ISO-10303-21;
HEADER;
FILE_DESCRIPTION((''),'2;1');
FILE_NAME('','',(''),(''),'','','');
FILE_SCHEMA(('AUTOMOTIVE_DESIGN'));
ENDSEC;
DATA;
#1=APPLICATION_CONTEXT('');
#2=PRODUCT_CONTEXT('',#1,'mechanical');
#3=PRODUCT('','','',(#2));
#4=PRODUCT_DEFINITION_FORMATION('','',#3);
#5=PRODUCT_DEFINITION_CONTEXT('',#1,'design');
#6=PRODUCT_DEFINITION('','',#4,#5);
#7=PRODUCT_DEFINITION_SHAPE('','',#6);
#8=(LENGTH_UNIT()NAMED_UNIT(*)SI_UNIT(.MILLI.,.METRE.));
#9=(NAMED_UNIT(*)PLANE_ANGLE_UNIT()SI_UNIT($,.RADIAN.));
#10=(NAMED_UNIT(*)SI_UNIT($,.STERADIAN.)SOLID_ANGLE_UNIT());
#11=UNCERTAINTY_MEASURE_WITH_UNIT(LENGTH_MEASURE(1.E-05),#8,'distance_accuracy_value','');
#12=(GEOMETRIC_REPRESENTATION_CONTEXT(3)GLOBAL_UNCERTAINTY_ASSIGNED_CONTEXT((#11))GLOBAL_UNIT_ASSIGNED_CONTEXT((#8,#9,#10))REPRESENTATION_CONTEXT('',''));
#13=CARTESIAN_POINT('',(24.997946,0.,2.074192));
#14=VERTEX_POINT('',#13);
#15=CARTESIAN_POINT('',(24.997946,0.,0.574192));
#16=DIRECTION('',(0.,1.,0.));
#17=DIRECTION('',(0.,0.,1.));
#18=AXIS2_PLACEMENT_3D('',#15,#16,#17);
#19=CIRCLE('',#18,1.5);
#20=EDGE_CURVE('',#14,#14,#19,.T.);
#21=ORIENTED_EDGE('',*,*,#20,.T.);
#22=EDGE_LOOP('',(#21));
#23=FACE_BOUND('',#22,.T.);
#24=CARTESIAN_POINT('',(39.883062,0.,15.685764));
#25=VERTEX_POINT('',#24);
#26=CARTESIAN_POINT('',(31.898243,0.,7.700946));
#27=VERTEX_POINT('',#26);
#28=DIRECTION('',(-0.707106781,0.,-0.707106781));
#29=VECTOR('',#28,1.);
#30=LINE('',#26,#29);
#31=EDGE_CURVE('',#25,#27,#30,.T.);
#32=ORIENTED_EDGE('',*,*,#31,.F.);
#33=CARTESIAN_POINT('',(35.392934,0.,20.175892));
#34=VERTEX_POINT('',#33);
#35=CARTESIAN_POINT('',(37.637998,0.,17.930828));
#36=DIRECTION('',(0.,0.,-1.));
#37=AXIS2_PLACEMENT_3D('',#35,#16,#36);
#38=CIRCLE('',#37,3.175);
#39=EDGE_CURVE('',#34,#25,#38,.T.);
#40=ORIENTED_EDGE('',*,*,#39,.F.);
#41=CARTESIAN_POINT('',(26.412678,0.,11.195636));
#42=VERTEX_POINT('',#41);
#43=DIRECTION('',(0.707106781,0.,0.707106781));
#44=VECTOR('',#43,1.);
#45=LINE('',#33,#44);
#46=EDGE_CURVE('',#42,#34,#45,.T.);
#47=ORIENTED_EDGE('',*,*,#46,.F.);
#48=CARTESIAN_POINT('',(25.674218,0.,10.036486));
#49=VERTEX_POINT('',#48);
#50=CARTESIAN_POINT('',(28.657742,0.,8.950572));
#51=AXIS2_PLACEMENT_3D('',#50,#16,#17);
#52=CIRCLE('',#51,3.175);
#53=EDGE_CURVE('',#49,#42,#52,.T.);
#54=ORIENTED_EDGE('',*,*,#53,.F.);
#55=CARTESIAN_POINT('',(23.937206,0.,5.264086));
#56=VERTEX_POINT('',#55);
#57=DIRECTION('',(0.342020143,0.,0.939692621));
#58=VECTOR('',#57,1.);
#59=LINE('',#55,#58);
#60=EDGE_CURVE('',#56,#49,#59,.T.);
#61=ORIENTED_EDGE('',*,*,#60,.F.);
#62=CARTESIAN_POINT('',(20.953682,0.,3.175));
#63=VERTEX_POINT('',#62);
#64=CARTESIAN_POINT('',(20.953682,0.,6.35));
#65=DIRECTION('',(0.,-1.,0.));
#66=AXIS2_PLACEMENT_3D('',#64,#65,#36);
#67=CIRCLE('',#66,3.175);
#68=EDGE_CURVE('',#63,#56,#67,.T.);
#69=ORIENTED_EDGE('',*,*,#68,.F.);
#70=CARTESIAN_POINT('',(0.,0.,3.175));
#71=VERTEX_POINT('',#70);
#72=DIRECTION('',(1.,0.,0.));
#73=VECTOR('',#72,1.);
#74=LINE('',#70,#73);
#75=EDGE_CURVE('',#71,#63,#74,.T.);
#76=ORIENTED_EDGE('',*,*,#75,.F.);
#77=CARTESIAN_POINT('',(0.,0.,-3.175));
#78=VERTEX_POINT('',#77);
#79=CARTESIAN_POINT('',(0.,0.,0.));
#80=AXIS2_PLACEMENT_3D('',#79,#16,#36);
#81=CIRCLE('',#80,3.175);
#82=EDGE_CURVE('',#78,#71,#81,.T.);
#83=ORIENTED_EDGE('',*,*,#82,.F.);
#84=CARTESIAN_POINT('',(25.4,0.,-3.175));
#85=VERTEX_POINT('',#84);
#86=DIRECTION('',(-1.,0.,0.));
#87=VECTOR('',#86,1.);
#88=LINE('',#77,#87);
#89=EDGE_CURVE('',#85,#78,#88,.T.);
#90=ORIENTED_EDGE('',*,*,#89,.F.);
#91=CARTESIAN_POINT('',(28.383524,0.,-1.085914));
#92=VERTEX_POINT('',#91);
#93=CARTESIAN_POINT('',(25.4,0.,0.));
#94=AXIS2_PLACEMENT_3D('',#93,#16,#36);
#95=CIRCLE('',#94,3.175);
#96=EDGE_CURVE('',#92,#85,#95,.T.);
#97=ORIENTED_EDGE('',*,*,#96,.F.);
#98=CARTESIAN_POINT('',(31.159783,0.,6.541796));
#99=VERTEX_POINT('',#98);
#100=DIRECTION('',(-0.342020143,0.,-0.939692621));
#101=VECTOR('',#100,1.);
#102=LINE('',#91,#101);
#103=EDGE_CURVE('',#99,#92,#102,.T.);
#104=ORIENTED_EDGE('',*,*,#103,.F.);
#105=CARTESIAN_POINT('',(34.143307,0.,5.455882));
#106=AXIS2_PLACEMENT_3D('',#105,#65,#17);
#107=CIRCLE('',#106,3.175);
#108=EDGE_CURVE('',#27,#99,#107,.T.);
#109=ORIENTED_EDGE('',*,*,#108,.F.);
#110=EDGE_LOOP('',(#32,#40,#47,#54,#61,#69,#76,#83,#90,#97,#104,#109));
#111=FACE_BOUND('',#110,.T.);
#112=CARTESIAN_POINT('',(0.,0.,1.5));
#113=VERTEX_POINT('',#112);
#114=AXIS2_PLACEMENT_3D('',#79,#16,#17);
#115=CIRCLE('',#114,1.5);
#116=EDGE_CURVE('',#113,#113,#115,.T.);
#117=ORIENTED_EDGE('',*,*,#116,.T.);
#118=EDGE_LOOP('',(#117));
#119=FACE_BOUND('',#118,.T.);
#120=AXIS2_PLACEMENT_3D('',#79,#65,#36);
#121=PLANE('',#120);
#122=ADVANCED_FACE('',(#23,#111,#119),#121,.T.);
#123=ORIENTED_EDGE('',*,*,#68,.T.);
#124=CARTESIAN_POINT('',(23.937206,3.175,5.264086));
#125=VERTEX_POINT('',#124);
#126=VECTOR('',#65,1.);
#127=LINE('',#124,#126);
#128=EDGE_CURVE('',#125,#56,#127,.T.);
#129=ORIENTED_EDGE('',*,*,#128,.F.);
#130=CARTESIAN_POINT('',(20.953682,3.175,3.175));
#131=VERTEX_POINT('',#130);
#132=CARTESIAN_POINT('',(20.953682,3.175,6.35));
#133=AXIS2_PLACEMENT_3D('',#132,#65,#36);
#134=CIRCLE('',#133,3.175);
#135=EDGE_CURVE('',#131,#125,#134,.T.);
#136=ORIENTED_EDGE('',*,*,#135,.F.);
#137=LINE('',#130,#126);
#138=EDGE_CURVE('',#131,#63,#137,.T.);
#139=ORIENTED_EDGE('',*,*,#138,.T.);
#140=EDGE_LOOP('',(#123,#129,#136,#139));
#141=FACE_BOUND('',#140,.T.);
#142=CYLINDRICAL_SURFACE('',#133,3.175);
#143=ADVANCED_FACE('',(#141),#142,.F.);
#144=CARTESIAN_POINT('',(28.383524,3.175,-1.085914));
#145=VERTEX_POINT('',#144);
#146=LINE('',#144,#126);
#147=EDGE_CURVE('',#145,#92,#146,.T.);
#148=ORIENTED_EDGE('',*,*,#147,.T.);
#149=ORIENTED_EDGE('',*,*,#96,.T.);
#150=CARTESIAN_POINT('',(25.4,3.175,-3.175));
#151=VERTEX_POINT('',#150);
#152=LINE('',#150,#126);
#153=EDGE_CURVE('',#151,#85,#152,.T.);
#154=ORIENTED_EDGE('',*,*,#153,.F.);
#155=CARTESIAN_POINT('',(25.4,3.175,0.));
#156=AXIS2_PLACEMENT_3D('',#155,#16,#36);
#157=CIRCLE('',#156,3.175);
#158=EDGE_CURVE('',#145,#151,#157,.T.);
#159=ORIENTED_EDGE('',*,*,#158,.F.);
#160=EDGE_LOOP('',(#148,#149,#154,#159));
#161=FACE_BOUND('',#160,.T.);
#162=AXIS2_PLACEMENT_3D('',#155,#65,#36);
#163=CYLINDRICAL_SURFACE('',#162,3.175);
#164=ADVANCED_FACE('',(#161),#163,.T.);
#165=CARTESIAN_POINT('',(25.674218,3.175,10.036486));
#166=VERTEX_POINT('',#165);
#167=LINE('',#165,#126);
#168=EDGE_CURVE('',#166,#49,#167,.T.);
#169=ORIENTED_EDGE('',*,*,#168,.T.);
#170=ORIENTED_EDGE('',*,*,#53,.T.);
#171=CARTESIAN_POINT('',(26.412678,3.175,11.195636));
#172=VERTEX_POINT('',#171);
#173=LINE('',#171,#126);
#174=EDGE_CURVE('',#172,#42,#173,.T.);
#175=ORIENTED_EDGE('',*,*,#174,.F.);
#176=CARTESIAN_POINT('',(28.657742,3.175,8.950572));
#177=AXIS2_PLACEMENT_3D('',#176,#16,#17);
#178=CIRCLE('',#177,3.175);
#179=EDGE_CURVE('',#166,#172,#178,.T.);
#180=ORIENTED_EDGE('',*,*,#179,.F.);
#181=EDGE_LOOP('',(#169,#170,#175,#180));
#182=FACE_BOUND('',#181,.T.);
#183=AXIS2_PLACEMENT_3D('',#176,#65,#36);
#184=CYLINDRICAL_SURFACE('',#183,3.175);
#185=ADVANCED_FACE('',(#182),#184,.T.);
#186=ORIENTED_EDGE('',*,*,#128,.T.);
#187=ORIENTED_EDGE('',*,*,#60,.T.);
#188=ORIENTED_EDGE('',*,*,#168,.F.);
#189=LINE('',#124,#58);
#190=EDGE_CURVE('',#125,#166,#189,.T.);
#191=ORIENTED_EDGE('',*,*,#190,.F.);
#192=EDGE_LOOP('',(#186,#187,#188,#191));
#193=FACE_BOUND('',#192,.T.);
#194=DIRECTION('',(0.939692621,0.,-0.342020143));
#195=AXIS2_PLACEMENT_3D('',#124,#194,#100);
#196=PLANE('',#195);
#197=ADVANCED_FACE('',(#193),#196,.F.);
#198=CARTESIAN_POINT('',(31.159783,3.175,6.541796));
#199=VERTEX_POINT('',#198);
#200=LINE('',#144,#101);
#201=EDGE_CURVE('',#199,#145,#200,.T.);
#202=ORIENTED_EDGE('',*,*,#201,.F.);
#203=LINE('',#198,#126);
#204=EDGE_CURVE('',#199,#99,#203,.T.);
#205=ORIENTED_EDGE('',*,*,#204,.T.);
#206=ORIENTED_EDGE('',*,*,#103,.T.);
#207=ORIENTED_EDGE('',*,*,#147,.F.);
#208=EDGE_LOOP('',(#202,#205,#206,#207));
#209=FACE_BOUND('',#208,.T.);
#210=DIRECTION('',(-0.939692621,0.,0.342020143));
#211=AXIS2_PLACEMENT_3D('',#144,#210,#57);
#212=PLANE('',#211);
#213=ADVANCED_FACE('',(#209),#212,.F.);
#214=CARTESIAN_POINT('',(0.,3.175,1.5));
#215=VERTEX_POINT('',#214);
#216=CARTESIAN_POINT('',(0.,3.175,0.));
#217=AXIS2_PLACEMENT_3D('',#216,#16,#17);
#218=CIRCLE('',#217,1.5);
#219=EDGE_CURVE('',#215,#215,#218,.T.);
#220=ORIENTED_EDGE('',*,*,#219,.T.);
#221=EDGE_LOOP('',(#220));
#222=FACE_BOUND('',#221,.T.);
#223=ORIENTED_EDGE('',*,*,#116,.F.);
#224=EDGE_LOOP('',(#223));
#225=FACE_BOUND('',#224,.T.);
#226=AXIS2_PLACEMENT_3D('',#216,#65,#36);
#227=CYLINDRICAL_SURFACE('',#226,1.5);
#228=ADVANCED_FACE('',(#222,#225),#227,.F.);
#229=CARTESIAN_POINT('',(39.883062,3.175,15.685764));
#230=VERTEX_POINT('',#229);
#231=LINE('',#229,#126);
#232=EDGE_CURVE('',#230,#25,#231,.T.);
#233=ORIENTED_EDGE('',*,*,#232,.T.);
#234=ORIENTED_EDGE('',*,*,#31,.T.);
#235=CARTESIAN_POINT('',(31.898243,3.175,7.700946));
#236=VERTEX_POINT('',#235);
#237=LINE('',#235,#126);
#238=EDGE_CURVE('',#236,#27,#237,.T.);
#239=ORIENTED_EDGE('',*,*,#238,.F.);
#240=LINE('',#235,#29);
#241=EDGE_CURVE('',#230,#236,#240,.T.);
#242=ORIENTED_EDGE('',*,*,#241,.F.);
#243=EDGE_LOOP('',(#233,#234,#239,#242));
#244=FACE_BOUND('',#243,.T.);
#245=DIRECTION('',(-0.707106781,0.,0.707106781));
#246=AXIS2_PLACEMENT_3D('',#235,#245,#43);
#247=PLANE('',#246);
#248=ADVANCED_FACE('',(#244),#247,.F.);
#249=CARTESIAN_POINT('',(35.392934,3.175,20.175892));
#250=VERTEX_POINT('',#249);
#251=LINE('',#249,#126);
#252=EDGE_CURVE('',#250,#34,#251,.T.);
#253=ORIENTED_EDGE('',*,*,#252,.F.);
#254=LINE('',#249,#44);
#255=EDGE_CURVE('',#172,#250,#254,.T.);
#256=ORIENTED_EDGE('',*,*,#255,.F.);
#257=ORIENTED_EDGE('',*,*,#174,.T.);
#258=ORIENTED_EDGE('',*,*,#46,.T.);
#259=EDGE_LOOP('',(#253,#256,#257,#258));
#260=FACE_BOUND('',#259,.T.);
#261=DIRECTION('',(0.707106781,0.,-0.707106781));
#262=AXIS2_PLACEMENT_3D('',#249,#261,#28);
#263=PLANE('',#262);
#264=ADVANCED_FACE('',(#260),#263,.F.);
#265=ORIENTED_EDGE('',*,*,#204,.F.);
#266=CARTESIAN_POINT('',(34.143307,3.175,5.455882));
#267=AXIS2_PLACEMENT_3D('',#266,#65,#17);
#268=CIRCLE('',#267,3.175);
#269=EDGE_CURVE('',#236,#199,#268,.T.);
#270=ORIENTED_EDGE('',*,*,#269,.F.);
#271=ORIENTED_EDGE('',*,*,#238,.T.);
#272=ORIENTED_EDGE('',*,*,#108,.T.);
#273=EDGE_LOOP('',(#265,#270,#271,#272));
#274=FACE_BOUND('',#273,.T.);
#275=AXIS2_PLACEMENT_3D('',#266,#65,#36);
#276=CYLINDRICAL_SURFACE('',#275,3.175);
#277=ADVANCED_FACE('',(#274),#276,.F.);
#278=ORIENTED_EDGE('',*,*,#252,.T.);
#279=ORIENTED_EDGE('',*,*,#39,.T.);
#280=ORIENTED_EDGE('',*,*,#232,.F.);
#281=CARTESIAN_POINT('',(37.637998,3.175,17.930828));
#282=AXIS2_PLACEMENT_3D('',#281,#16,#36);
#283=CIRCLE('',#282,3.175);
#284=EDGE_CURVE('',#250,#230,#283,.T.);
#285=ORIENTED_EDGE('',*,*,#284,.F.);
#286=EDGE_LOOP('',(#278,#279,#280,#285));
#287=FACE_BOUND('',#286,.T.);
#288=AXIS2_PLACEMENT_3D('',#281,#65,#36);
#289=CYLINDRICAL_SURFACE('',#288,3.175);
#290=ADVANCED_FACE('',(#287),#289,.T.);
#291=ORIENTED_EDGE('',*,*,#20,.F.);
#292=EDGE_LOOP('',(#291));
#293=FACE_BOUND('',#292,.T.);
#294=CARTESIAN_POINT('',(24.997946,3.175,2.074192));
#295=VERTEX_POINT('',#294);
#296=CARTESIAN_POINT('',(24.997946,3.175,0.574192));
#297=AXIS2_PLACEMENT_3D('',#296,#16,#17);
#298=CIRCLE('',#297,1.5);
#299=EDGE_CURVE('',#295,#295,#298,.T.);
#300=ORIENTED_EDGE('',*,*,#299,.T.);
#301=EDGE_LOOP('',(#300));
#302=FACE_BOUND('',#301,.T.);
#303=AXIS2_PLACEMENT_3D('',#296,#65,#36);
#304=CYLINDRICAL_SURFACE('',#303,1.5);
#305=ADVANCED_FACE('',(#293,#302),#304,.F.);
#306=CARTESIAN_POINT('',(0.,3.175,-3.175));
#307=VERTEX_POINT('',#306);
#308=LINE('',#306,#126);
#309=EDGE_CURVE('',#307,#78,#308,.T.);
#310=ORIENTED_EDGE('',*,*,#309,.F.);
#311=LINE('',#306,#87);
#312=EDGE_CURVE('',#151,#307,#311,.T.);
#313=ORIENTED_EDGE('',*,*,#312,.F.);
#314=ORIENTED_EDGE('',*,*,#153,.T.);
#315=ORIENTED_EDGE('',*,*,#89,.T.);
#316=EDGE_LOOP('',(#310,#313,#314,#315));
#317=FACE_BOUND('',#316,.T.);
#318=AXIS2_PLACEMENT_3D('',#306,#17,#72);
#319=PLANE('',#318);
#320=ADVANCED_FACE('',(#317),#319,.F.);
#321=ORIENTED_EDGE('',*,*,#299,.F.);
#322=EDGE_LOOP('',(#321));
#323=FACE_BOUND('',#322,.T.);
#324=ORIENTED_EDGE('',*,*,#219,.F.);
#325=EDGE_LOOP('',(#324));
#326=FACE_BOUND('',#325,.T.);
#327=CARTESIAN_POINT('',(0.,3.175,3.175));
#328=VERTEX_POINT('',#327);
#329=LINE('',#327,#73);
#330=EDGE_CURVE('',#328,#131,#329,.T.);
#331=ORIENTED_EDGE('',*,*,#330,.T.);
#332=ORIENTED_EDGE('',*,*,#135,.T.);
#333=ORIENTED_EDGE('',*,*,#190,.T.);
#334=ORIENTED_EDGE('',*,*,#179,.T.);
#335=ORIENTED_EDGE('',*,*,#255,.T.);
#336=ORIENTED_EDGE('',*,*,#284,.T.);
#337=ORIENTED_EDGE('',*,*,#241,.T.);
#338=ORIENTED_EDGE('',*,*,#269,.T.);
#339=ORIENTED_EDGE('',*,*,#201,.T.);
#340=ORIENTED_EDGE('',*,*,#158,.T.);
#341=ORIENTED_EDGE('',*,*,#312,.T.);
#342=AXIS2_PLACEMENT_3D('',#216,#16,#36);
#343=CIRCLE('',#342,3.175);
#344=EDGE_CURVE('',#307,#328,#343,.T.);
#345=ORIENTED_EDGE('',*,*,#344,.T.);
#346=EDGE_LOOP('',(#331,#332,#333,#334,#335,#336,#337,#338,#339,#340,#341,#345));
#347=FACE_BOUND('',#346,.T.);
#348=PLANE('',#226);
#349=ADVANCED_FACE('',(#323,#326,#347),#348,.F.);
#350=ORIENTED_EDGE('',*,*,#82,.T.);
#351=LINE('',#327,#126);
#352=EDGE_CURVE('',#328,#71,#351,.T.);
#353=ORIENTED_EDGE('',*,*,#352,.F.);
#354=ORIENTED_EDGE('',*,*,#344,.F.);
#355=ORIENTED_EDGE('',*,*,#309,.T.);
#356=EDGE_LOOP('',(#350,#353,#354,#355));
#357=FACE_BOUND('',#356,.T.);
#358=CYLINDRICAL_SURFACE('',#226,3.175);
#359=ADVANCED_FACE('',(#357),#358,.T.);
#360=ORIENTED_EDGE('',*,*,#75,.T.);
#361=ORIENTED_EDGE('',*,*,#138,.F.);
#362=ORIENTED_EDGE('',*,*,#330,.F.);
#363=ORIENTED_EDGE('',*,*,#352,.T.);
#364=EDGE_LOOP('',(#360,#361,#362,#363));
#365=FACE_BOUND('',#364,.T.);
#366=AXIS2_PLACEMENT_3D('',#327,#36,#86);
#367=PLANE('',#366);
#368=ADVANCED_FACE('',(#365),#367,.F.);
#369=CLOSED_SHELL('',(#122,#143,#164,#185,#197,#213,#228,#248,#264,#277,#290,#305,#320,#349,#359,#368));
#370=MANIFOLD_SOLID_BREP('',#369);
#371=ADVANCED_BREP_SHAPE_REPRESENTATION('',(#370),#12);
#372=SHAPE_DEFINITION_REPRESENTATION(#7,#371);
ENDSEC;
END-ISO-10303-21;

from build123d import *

# Parameters (mm, degrees)
SKETCH1_R           = 1.5
BOSS_EXTRUDE1_DEPTH = 3.175


with BuildPart() as part:
    # Sketch1 → Boss-Extrude1 (new body)
    with BuildSketch(Plane(origin=(0, 0, 0), x_dir=(1, 0, 0), z_dir=(0, 1, 0))):
        with BuildLine():
            Line((0, -3.175), (20.953682132, -3.175))
            ThreePointArc((20.953682132, -3.175), (22.774787318, -3.749192259), (23.937206203, -5.264086045))
            Line((23.937206203, -5.264086045), (25.674217794, -10.036486168))
            ThreePointArc((25.674217794, -10.036486168), (25.979974025, -10.656498469), (26.412677835, -11.195636243))
            Line((26.412677835, -11.195636243), (35.392933956, -20.175892364))
            ThreePointArc((35.392933956, -20.175892364), (39.883062017, -20.175892364), (39.883062017, -15.685764304))
            Line((39.883062017, -15.685764304), (31.898243321, -7.700945608))
            ThreePointArc((31.898243321, -7.700945608), (31.465539511, -7.161807835), (31.15978328, -6.541795533))
            Line((31.15978328, -6.541795533), (28.383524071, 1.085913955))
            ThreePointArc((28.383524071, 1.085913955), (27.221105185, 2.600807741), (25.4, 3.175))
            Line((25.4, 3.175), (0, 3.175))
            ThreePointArc((0, 3.175), (-3.175, 0), (0, -3.175))
        make_face()
        with Locations(Location((24.997946252, -0.574192259, 0), (0, 0, 270))):
            Circle(SKETCH1_R, mode=Mode.SUBTRACT)
        with Locations(Location((0, 0, 0), (0, 0, 270))):
            Circle(SKETCH1_R, mode=Mode.SUBTRACT)
    extrude(amount=BOSS_EXTRUDE1_DEPTH)


solid = part.part
